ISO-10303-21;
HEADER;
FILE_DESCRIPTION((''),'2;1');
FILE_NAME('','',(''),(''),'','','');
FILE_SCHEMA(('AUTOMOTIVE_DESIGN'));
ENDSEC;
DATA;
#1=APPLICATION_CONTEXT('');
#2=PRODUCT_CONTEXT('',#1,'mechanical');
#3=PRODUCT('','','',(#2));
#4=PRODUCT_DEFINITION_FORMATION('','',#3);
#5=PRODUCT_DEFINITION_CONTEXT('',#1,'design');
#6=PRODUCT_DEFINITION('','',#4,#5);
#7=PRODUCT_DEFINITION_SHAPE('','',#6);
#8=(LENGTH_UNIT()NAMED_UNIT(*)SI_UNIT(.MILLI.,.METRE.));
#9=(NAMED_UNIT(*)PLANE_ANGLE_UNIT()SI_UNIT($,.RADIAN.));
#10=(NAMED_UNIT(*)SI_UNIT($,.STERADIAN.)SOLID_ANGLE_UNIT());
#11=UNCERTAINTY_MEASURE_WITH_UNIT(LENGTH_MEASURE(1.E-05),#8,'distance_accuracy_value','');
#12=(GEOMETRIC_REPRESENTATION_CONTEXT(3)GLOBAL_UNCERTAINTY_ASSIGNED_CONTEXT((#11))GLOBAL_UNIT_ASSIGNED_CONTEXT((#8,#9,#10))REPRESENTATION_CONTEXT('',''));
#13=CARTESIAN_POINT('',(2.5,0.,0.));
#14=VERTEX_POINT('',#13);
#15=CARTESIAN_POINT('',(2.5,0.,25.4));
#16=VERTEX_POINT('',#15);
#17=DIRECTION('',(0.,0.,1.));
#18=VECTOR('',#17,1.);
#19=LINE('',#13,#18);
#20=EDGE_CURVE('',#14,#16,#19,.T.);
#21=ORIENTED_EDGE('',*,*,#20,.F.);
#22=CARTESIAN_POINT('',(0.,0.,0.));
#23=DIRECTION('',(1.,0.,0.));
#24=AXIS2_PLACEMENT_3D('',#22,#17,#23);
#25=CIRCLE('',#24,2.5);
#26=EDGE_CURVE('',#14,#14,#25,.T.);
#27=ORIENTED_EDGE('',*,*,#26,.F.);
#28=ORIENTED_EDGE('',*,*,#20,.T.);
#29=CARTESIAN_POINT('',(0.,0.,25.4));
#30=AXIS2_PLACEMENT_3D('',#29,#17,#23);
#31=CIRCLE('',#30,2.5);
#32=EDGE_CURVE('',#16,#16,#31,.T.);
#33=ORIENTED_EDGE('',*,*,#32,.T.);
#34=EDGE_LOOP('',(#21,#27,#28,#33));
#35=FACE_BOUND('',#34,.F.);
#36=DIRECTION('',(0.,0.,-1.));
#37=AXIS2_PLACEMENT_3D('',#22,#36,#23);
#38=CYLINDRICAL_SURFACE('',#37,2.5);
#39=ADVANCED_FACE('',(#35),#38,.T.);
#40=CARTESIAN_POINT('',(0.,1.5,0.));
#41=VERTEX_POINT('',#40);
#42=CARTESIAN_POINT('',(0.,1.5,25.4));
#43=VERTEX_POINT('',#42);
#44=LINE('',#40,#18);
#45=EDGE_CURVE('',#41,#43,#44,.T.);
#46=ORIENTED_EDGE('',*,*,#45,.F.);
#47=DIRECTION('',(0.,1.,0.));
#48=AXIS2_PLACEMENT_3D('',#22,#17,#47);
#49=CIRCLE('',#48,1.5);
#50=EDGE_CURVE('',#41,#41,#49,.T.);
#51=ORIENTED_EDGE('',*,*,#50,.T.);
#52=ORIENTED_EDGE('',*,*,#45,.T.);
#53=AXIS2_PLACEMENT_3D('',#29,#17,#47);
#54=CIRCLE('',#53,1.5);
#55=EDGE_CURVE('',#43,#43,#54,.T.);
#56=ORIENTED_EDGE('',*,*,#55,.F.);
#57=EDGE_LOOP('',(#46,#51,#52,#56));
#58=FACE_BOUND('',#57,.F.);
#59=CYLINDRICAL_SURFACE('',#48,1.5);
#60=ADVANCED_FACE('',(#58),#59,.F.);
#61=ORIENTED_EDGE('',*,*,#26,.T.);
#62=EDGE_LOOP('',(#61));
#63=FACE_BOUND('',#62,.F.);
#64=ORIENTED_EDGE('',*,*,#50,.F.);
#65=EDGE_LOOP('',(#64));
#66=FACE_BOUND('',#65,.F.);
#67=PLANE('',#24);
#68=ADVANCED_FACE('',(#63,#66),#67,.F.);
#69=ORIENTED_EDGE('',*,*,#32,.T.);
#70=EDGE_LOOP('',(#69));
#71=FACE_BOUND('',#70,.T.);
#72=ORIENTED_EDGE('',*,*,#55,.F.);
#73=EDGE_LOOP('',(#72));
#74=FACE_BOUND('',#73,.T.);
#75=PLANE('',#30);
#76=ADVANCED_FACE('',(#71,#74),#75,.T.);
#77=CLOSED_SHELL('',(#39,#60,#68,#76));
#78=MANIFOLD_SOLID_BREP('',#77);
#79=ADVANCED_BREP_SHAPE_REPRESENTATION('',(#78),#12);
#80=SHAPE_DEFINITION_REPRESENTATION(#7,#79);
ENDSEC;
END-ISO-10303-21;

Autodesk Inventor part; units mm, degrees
ref_plane "YZ Plane" through (0, 0, 0) normal (1, 0, 0) x (0, 1, 0)
ref_plane "XZ Plane" through (0, 0, 0) normal (0, 1, 0) x (-1, 0, 0)
ref_plane "XY Plane" through (0, 0, 0) normal (0, 0, 1) x (1, 0, 0)
sketch "Sketch1" plane through (0, 0, 0) normal (0, 0, 1) x (1, 0, 0)
  circle A0 centre (0, 0) radius 2.5
  dimension "PenetrationOuterDiameter" = 5
extrude "Extrusion2" add sketch "Sketch1" along normal blind 25.4
hole "Hole2" at (0, 0, 0) direction (0, 0, 1) diameter 3 end through all
equation "\"PenetrationInnerDiameter\" = PenetrationOuterDiameter - 2 * PenetrationThickness"
equation "\"PenetrationThickness\" = 1"
properties part number "prenetration_top_sweep"
